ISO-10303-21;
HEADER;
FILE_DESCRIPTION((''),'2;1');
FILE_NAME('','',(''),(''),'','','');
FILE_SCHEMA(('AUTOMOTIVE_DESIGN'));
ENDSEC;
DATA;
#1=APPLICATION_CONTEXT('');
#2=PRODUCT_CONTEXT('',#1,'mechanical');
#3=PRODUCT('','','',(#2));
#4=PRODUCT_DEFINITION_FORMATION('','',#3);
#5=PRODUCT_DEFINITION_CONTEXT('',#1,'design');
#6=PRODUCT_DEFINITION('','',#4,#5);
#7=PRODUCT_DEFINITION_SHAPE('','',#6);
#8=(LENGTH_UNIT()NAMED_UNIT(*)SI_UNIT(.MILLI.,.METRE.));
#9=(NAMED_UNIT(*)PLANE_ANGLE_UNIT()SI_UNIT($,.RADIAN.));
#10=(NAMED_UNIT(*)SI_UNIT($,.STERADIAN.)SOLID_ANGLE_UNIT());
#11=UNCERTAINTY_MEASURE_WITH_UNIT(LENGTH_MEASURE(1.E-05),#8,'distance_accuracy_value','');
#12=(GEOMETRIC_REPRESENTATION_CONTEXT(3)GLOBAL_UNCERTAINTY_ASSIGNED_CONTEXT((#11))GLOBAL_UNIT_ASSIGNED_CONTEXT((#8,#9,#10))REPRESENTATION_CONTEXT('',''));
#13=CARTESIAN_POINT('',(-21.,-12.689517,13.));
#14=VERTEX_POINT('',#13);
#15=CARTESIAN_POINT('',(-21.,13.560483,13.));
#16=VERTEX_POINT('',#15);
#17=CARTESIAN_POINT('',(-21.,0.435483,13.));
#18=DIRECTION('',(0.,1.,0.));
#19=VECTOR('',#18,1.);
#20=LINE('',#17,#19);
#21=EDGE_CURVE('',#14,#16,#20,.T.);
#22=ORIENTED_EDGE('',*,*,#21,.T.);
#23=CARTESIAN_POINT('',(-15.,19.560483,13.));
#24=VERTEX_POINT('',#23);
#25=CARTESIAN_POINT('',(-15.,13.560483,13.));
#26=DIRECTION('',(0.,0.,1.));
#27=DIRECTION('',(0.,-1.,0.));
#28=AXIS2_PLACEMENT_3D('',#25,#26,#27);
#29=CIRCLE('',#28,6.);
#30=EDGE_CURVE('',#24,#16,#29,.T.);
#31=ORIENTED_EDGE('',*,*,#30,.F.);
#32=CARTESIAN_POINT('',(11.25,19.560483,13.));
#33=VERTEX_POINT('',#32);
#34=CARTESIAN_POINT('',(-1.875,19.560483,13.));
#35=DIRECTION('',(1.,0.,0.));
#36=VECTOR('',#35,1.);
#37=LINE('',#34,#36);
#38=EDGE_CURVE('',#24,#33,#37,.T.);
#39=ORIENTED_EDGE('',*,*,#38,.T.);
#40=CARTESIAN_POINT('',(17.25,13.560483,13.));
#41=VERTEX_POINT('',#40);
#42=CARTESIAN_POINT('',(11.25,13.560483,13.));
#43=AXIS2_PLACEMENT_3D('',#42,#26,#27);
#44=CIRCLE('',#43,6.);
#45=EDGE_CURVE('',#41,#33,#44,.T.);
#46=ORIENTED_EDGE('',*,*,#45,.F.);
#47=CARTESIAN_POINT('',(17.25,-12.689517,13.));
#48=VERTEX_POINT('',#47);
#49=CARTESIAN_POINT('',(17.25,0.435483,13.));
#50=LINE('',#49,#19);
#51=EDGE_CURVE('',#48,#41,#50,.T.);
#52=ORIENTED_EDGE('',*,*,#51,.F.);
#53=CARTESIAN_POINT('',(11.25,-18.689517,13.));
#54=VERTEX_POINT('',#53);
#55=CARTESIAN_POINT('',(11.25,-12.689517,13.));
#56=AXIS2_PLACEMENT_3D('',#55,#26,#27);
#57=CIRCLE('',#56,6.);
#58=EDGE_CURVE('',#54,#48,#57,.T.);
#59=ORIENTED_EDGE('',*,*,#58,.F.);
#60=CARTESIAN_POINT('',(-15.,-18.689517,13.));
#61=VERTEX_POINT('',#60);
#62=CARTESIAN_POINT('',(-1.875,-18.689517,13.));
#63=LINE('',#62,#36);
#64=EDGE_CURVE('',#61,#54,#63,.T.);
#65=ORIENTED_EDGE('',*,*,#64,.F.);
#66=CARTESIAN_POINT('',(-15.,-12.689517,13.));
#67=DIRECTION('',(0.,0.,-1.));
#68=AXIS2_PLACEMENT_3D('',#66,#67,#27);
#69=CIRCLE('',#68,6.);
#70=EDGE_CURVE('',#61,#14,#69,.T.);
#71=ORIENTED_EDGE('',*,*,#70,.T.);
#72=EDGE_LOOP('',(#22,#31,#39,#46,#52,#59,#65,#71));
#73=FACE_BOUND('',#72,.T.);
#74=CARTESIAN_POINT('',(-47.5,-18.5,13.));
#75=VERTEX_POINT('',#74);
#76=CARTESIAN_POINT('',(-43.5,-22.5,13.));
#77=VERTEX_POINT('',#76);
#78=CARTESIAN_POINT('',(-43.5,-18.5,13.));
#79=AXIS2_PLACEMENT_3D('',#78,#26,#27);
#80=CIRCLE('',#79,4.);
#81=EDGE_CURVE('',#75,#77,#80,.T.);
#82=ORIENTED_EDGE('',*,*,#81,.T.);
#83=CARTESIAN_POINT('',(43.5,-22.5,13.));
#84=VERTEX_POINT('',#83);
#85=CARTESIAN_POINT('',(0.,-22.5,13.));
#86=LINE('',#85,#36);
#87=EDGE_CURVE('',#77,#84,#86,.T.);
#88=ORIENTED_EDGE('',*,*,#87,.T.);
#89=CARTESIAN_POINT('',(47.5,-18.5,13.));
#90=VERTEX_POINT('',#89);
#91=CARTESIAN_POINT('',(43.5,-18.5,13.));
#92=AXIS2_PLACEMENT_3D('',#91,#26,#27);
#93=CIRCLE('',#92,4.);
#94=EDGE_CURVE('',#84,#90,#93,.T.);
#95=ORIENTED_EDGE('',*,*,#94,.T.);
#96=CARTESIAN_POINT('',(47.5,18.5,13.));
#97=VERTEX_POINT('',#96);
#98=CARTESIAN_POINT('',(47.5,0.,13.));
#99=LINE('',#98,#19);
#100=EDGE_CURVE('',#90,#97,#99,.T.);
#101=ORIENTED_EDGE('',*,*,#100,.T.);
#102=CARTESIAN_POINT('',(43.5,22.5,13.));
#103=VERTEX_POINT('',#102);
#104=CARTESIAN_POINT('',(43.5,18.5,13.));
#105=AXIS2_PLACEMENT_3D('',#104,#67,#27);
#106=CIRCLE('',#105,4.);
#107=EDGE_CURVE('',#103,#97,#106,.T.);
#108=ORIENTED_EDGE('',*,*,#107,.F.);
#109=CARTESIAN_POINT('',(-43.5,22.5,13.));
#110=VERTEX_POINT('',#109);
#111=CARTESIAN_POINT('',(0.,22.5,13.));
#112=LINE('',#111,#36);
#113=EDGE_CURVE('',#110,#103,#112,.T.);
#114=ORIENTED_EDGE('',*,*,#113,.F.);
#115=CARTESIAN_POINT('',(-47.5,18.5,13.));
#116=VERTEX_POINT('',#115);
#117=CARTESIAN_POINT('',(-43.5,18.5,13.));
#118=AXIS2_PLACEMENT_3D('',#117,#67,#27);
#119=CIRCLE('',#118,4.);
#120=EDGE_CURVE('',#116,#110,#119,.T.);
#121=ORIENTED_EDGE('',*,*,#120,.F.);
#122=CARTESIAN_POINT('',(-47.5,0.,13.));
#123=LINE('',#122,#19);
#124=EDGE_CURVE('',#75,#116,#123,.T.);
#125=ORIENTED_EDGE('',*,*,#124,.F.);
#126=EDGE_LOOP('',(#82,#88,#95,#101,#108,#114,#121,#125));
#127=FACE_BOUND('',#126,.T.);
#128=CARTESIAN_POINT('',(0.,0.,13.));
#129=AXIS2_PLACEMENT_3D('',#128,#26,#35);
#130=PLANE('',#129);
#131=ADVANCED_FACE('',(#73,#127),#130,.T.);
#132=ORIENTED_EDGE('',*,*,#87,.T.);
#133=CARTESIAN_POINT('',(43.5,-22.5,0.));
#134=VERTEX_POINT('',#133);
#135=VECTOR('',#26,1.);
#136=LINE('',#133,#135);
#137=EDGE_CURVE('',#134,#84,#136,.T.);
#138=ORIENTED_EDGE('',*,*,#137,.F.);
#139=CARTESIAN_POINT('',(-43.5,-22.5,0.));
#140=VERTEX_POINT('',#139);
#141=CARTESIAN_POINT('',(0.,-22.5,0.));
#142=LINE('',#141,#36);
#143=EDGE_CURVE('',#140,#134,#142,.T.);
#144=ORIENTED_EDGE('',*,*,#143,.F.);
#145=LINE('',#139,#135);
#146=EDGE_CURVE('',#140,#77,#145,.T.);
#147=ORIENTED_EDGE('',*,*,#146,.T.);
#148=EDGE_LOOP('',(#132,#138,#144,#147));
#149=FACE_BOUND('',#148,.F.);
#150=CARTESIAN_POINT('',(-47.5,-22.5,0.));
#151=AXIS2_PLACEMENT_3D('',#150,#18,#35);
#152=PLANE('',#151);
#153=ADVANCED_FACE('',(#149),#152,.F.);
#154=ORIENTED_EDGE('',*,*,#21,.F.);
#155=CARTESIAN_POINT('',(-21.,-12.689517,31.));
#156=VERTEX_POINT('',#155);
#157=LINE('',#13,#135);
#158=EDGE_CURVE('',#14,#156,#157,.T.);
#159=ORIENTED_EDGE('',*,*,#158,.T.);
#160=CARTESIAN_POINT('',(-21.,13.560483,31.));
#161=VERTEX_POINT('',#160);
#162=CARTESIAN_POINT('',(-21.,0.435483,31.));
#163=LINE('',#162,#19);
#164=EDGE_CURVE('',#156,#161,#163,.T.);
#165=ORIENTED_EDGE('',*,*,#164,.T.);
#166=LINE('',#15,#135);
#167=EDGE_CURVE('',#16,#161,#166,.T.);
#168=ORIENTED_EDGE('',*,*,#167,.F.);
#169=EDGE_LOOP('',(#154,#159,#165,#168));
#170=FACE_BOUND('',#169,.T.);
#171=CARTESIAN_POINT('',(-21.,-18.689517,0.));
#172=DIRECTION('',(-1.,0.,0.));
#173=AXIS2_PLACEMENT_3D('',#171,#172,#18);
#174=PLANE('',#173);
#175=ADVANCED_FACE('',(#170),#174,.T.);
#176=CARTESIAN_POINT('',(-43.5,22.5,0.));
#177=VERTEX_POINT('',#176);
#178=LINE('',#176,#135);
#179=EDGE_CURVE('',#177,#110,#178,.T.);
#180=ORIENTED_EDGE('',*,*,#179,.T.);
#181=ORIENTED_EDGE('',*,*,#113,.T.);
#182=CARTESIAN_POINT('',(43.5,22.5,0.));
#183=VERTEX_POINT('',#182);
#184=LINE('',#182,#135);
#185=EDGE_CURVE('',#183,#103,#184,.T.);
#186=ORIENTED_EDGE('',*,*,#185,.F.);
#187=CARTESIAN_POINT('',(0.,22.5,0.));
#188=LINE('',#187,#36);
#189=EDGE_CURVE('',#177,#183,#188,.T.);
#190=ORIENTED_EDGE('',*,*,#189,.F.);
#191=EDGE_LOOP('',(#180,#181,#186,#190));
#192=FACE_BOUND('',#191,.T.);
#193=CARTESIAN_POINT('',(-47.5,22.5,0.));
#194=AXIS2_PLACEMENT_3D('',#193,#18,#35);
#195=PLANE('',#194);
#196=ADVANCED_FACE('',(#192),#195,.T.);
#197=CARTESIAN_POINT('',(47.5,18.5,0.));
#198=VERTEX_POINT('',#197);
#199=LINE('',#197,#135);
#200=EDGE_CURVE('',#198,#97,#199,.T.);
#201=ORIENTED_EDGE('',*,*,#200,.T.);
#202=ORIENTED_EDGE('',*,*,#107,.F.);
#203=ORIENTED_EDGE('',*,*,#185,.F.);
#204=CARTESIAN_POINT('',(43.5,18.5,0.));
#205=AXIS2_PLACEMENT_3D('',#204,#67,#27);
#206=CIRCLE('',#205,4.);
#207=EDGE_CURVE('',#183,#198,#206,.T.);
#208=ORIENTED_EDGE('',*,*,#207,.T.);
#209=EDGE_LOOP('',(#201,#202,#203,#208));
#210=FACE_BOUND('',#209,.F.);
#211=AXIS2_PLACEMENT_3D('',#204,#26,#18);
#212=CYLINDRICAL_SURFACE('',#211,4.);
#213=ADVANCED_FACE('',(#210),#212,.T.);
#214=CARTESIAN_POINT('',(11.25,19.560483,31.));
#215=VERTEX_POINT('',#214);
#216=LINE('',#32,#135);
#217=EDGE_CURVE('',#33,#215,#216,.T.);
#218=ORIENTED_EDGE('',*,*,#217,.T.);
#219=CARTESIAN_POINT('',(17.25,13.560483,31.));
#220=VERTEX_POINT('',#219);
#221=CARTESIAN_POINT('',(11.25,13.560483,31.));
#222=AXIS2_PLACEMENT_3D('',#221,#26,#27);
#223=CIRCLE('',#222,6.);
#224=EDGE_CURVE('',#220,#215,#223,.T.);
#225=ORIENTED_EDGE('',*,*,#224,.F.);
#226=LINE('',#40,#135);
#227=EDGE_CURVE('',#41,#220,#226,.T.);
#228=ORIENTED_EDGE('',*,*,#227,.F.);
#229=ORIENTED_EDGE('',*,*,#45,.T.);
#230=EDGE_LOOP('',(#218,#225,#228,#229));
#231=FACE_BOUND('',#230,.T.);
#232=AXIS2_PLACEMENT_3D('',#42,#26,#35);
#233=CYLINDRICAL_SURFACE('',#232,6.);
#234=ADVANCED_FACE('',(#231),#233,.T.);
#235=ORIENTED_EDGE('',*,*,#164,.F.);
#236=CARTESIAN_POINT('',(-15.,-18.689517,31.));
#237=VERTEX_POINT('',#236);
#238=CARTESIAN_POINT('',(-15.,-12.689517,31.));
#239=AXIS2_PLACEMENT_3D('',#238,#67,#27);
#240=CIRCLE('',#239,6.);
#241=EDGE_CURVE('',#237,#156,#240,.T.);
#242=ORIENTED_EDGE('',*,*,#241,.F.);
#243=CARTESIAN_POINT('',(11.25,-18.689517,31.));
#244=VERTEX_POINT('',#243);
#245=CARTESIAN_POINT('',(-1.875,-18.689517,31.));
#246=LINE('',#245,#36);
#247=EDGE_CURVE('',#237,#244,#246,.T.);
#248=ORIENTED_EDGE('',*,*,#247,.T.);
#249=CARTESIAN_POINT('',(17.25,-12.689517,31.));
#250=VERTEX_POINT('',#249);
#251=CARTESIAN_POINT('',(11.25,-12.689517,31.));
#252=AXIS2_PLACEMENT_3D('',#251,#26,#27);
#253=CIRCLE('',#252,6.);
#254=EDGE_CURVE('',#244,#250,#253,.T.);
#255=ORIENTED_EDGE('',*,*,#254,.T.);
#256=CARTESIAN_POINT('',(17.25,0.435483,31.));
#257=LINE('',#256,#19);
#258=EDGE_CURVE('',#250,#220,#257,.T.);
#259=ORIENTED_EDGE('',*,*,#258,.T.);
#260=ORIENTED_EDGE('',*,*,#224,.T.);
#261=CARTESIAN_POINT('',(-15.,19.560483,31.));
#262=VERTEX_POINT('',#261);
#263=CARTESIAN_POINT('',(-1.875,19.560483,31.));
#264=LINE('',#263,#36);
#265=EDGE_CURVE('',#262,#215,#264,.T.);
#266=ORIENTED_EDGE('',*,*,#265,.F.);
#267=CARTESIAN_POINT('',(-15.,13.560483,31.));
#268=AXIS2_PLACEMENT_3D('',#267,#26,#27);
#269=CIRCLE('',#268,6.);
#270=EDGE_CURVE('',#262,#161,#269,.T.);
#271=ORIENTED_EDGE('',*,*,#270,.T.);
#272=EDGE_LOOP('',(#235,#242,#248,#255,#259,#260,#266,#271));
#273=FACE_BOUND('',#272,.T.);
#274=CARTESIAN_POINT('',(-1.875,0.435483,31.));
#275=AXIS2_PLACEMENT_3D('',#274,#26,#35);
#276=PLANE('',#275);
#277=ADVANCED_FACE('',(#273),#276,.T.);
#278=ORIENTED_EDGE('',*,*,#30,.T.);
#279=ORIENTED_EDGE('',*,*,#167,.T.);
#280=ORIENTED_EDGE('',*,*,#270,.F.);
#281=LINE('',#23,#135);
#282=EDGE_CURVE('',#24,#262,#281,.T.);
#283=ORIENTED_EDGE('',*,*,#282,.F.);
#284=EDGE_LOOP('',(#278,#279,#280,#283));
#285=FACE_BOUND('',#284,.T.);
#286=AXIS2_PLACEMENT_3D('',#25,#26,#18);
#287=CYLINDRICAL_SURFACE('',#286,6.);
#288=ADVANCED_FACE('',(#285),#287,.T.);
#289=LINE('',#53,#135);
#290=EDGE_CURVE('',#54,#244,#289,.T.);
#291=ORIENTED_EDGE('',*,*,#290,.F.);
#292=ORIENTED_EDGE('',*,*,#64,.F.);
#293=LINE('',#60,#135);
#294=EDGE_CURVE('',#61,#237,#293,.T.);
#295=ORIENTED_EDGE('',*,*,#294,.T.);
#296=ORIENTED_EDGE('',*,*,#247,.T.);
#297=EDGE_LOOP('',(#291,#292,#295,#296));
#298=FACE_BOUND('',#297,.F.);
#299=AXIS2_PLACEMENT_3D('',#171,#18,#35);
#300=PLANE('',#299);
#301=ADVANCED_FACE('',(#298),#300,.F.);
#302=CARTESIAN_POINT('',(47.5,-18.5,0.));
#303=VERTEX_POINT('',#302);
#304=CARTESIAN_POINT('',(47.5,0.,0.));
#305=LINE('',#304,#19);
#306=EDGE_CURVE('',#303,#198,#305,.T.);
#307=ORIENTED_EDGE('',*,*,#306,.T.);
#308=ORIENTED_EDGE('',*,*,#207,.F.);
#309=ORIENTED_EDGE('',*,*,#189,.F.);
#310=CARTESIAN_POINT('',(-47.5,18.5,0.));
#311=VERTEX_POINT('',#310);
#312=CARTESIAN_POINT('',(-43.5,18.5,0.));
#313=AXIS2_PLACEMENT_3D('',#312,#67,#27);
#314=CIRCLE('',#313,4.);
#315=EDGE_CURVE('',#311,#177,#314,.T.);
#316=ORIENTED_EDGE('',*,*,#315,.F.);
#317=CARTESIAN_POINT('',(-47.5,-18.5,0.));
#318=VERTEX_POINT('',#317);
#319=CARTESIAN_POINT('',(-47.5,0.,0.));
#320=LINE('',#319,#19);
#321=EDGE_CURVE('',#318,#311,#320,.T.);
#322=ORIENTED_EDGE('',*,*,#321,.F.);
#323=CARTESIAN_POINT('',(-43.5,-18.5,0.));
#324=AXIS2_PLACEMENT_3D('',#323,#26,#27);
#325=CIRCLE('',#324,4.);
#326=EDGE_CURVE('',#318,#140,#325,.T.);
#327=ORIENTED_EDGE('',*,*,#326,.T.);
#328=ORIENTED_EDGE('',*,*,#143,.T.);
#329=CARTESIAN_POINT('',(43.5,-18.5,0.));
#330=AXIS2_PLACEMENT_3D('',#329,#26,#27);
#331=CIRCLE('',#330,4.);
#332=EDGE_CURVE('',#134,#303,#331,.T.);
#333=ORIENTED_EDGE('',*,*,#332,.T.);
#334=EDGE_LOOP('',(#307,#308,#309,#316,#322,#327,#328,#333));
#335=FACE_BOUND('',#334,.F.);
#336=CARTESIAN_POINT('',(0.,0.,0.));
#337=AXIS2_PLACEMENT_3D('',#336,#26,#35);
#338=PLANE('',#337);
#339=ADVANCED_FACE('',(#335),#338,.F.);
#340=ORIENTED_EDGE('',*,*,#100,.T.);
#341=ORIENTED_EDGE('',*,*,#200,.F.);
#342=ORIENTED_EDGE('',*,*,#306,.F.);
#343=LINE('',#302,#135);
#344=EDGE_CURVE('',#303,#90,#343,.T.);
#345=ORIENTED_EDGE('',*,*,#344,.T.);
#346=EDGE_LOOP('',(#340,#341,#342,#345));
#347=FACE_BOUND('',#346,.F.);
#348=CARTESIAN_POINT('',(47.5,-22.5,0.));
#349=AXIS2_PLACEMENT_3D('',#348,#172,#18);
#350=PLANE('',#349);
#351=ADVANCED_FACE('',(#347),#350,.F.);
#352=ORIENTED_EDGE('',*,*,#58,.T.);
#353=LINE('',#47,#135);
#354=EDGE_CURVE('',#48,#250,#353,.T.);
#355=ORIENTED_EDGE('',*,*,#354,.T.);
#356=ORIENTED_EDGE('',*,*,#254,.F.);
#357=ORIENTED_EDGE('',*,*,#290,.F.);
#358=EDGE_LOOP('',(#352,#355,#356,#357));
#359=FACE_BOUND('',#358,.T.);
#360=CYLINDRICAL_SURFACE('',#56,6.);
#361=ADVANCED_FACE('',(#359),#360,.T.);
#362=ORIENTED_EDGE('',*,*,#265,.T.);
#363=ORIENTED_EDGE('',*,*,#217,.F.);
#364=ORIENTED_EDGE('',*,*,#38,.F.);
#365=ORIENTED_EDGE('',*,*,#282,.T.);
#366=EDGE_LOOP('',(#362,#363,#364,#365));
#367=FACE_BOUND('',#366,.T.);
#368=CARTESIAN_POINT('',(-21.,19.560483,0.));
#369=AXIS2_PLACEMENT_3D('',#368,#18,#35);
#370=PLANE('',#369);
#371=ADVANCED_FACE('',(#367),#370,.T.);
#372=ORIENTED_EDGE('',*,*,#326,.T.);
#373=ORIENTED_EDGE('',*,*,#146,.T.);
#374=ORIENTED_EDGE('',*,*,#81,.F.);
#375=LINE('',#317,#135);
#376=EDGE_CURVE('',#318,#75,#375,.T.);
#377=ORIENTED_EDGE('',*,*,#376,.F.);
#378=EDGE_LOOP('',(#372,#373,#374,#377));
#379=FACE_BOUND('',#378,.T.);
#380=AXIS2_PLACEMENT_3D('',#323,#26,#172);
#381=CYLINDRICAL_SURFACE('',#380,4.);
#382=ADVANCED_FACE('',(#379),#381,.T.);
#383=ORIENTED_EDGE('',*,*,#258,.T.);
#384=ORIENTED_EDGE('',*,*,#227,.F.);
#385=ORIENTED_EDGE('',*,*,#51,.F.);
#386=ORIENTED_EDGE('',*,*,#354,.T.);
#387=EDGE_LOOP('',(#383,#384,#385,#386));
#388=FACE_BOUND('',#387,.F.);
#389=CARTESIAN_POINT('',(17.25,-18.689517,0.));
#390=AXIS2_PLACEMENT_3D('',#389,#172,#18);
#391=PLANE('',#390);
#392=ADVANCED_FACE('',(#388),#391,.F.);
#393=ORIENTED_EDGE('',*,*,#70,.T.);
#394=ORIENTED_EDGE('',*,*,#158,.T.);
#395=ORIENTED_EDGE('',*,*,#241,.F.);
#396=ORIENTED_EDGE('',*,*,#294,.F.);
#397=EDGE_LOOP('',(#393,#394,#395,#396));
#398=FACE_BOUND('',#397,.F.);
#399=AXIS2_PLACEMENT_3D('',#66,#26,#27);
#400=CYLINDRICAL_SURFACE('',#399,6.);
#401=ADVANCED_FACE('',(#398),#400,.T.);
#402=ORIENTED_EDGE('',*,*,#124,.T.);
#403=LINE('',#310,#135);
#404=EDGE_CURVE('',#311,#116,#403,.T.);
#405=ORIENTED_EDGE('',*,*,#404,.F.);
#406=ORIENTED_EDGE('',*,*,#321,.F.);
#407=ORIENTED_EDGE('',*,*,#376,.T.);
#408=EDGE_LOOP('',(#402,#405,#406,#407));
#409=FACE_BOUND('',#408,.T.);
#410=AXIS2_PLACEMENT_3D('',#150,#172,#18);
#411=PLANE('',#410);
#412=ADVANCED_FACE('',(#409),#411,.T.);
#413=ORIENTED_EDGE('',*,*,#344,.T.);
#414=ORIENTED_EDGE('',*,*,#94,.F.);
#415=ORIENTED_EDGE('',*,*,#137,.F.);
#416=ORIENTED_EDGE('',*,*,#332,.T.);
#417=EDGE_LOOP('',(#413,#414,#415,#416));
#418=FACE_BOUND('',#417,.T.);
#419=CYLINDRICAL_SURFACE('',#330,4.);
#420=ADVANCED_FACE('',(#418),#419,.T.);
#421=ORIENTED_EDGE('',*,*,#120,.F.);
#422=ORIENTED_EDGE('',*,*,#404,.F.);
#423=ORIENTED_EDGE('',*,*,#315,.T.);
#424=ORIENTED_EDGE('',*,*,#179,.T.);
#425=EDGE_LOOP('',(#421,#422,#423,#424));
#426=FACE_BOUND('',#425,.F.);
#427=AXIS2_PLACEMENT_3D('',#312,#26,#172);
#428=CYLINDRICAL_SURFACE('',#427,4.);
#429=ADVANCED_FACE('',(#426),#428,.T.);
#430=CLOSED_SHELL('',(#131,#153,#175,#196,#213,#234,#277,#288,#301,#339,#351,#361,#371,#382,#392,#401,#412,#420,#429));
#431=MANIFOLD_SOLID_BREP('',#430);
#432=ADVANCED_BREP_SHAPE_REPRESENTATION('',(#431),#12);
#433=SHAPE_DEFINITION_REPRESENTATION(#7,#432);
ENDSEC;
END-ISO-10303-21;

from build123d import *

# Parameters (mm, degrees)
F0_W     = 38.25
F0_H     = 38.25
F1_DEPTH = 31
F0_W_2   = 95
F0_H_2   = 45
F2_DEPTH = 13
F3_R     = 6
F4_R     = 4


with BuildPart() as f1:
    # F0 (on Top) → F1 (new body)
    with BuildSketch(Plane.XY):
        with Locations((-1.875, 0.435483)):
            Rectangle(F0_W, F0_H)
    extrude(amount=F1_DEPTH)

    # F0 (on Top) → F2 (join)
    with BuildSketch(Plane.XY):
        Rectangle(F0_W_2, F0_H_2)
        with Locations((-1.875, 0.435483)):
            Rectangle(F0_W, F0_H, mode=Mode.SUBTRACT)
    extrude(amount=F2_DEPTH)

    # F3
    f3_edges = [f1.edges().sort_by_distance(p)[0] for p in [
        (-21, 19.560483, 22),
        (-21, -18.689517, 22),
        (17.25, -18.689517, 22),
        (17.25, 19.560483, 22),
    ]]
    fillet(f3_edges, radius=F3_R)

    # F4
    f4_edges = [f1.edges().sort_by_distance(p)[0] for p in [
        (47.5, -22.5, 6.5),
        (47.5, 22.5, 6.5),
        (-47.5, -22.5, 6.5),
        (-47.5, 22.5, 6.5),
    ]]
    fillet(f4_edges, radius=F4_R)


solid = f1.part
